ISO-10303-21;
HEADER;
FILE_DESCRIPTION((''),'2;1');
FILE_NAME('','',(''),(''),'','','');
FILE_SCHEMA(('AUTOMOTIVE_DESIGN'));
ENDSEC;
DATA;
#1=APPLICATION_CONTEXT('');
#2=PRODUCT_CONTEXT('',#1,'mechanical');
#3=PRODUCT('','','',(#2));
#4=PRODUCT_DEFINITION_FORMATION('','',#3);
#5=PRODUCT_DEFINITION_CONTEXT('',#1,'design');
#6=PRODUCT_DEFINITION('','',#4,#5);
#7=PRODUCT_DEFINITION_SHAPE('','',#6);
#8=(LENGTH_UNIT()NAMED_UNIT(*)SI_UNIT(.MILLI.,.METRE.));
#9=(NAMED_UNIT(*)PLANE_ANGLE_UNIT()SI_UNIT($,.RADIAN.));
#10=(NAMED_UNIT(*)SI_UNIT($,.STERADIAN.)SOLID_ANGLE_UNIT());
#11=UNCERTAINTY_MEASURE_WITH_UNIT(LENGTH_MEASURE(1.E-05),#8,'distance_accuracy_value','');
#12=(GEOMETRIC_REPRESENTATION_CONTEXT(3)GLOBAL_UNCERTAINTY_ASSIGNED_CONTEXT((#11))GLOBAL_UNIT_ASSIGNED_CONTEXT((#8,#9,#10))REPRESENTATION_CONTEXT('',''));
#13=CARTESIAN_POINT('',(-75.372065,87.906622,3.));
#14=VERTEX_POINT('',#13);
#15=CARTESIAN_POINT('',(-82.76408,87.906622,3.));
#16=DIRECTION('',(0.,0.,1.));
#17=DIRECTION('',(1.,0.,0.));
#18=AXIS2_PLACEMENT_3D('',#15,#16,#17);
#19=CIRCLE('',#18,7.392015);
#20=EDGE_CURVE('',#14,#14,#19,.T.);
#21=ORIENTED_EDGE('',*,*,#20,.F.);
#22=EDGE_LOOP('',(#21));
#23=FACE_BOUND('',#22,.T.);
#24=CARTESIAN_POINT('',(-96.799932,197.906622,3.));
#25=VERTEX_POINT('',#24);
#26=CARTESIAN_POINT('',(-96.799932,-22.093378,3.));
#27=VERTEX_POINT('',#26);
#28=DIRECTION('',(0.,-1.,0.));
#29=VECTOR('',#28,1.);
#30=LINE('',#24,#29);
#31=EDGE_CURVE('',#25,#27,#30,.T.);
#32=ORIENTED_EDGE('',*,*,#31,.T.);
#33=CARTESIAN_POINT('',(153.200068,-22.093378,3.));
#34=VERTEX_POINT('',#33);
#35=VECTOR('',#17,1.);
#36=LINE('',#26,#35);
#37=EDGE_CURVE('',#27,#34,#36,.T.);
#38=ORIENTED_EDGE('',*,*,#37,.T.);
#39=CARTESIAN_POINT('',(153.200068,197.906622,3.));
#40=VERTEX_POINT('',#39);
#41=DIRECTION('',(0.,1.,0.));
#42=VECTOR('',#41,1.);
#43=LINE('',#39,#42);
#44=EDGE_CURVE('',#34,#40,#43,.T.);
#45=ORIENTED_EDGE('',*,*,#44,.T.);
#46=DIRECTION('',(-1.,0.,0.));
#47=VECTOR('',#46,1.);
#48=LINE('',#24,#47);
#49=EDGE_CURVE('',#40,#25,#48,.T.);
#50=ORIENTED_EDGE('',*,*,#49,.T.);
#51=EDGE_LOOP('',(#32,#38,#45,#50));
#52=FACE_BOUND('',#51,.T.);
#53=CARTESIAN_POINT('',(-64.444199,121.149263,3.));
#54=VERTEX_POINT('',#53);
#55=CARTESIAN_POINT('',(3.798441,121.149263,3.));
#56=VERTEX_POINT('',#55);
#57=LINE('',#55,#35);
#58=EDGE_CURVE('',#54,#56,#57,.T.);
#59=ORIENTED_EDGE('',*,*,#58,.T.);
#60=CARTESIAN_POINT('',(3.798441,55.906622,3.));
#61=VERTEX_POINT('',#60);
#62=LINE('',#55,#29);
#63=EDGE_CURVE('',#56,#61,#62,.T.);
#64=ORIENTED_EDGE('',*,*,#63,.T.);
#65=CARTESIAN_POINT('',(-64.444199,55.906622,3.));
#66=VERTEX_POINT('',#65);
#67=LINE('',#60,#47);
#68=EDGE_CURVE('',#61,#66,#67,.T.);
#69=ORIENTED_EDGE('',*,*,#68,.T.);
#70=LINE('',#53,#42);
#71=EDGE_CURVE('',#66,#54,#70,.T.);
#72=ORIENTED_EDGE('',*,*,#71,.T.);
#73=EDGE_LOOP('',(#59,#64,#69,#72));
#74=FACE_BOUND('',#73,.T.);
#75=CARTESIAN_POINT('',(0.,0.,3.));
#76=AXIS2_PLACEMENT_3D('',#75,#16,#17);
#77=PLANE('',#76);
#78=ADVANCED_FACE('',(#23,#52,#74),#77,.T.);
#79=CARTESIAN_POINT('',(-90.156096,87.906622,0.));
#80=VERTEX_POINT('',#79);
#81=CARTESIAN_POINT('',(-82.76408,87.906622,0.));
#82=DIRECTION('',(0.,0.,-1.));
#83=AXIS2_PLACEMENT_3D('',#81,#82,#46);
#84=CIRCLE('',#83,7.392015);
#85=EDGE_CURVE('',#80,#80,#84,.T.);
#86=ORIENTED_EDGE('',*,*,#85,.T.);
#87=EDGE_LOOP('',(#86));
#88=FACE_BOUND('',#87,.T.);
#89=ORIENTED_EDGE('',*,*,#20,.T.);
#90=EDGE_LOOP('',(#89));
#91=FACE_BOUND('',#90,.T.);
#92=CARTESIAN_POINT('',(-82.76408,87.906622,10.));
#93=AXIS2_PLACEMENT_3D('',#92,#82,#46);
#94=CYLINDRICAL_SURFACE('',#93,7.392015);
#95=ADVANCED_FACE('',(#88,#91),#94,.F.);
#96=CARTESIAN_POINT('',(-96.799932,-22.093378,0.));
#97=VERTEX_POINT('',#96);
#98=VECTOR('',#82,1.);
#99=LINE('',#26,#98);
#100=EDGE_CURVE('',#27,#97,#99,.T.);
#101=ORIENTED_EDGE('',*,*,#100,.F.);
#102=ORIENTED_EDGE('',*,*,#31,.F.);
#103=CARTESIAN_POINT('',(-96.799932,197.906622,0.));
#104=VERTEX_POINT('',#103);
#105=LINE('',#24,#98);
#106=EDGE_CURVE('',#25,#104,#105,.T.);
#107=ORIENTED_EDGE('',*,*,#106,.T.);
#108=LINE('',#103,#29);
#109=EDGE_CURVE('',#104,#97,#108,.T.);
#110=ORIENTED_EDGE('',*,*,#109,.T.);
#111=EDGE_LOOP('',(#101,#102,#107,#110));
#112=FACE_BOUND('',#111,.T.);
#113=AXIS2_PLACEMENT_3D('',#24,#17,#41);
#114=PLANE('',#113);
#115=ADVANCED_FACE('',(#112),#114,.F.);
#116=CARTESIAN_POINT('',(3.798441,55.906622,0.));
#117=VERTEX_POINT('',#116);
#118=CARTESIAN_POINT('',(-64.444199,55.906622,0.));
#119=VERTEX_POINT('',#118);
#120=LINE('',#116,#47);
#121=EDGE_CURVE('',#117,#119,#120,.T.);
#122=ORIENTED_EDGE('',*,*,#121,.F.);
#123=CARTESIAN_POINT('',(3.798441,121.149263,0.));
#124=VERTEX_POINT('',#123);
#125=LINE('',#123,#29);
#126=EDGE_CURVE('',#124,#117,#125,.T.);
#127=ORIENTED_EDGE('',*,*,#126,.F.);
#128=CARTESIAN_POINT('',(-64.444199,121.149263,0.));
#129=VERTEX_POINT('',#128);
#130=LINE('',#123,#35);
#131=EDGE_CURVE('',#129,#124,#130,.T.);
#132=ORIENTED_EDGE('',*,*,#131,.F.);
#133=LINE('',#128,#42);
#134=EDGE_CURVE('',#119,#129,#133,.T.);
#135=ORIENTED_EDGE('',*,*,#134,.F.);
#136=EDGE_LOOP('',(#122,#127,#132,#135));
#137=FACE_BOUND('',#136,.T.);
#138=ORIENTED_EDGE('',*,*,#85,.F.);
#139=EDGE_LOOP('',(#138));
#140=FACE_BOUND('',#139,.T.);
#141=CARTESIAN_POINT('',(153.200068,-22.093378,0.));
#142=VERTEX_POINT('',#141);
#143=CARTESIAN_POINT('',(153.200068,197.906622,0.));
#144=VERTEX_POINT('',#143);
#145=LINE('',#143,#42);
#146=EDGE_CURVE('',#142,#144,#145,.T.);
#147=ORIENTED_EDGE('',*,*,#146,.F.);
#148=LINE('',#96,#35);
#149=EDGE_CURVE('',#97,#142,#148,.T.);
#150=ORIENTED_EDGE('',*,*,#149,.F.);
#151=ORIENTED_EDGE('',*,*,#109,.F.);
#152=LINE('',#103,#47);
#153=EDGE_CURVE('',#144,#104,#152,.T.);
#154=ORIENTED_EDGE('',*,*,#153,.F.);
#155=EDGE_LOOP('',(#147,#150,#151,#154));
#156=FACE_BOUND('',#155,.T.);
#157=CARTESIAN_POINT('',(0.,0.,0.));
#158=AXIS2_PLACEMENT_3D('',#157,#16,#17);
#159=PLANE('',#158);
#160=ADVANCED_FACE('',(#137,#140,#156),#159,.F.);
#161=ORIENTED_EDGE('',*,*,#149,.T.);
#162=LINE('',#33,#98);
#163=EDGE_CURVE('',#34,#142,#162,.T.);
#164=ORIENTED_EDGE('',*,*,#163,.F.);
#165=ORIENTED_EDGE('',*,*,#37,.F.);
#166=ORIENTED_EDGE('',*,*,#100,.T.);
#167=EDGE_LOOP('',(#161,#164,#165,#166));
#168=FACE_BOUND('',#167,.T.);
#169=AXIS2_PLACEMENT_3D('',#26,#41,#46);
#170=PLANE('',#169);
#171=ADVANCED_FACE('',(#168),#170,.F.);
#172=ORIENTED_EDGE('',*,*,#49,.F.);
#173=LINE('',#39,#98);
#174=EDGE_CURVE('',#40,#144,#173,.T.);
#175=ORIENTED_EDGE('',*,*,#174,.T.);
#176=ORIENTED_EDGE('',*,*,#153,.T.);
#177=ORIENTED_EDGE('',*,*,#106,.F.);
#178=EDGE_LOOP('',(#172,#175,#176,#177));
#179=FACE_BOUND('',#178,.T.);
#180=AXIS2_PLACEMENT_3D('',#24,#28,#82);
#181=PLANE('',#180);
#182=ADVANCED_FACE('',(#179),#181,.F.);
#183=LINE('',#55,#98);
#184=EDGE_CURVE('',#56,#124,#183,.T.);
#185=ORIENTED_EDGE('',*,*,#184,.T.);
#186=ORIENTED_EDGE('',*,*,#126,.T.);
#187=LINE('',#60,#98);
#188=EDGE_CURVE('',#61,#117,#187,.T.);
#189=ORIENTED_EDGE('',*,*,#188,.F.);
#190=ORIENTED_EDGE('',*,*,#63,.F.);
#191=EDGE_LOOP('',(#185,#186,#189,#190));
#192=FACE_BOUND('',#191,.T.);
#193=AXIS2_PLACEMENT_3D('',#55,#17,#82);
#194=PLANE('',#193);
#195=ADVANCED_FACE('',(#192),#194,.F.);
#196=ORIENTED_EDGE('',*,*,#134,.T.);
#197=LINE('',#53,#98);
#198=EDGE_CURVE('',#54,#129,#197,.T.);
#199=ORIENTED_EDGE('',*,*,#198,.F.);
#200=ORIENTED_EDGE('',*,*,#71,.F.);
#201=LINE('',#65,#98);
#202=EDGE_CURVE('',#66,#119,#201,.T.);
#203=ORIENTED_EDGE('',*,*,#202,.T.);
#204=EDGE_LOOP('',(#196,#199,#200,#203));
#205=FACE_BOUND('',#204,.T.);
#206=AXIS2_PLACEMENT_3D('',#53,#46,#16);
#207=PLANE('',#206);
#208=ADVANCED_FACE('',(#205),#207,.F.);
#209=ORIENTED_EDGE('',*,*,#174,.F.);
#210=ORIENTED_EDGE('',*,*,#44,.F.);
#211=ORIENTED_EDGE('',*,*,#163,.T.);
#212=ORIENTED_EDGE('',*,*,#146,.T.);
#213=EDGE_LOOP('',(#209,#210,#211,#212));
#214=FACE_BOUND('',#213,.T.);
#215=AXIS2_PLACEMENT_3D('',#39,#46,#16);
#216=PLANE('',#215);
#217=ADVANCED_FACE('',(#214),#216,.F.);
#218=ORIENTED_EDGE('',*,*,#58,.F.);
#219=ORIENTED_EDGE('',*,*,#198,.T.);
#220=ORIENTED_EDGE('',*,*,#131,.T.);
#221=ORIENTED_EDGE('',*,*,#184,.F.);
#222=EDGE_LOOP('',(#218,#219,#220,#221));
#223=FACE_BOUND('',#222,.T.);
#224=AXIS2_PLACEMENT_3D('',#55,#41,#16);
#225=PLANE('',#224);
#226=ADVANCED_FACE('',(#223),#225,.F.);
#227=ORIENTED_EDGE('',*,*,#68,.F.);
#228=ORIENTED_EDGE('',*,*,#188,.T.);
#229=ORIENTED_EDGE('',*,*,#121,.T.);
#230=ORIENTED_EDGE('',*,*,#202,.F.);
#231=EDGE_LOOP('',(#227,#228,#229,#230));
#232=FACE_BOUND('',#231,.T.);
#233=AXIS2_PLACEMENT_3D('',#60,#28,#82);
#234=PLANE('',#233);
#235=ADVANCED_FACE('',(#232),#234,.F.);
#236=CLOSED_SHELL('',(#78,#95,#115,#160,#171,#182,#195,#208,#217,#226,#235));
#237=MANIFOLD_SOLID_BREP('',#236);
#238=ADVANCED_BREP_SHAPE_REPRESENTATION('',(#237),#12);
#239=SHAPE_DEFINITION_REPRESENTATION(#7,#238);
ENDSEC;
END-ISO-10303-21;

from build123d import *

# Parameters (mm, degrees)
SKETCH1_W           = 250
SKETCH1_H           = 220
BOSS_EXTRUDE1_DEPTH = 3
SKETCH2_W           = 68.242640687
SKETCH2_H           = 65.242640687
CUT_EXTRUDE1_DEPTH  = 3
SKETCH3_R           = 7.392015443
CUT_EXTRUDE2_DEPTH  = 10


with BuildPart() as part:
    # Sketch1 → Boss-Extrude1 (new body)
    with BuildSketch(Plane.XY):
        with Locations((28.200067517, 87.906622336)):
            Rectangle(SKETCH1_W, SKETCH1_H)
    extrude(amount=BOSS_EXTRUDE1_DEPTH)

    # Sketch2 → Cut-Extrude1 (cut)
    with BuildSketch(Plane(origin=(0, 0, 0), x_dir=(-1, 0, 0), z_dir=(0, 0, -1))):
        with Locations((30.322878983, 88.52794268)):
            Rectangle(SKETCH2_W, SKETCH2_H)
    extrude(amount=-CUT_EXTRUDE1_DEPTH, mode=Mode.SUBTRACT)

    # Sketch3 → Cut-Extrude2 (cut)
    with BuildSketch(Plane(origin=(0, 0, 0), x_dir=(-1, 0, 0), z_dir=(0, 0, -1))):
        with Locations((82.764080487, 87.906622336)):
            Circle(SKETCH3_R)
    extrude(amount=-CUT_EXTRUDE2_DEPTH, mode=Mode.SUBTRACT)


solid = part.part
